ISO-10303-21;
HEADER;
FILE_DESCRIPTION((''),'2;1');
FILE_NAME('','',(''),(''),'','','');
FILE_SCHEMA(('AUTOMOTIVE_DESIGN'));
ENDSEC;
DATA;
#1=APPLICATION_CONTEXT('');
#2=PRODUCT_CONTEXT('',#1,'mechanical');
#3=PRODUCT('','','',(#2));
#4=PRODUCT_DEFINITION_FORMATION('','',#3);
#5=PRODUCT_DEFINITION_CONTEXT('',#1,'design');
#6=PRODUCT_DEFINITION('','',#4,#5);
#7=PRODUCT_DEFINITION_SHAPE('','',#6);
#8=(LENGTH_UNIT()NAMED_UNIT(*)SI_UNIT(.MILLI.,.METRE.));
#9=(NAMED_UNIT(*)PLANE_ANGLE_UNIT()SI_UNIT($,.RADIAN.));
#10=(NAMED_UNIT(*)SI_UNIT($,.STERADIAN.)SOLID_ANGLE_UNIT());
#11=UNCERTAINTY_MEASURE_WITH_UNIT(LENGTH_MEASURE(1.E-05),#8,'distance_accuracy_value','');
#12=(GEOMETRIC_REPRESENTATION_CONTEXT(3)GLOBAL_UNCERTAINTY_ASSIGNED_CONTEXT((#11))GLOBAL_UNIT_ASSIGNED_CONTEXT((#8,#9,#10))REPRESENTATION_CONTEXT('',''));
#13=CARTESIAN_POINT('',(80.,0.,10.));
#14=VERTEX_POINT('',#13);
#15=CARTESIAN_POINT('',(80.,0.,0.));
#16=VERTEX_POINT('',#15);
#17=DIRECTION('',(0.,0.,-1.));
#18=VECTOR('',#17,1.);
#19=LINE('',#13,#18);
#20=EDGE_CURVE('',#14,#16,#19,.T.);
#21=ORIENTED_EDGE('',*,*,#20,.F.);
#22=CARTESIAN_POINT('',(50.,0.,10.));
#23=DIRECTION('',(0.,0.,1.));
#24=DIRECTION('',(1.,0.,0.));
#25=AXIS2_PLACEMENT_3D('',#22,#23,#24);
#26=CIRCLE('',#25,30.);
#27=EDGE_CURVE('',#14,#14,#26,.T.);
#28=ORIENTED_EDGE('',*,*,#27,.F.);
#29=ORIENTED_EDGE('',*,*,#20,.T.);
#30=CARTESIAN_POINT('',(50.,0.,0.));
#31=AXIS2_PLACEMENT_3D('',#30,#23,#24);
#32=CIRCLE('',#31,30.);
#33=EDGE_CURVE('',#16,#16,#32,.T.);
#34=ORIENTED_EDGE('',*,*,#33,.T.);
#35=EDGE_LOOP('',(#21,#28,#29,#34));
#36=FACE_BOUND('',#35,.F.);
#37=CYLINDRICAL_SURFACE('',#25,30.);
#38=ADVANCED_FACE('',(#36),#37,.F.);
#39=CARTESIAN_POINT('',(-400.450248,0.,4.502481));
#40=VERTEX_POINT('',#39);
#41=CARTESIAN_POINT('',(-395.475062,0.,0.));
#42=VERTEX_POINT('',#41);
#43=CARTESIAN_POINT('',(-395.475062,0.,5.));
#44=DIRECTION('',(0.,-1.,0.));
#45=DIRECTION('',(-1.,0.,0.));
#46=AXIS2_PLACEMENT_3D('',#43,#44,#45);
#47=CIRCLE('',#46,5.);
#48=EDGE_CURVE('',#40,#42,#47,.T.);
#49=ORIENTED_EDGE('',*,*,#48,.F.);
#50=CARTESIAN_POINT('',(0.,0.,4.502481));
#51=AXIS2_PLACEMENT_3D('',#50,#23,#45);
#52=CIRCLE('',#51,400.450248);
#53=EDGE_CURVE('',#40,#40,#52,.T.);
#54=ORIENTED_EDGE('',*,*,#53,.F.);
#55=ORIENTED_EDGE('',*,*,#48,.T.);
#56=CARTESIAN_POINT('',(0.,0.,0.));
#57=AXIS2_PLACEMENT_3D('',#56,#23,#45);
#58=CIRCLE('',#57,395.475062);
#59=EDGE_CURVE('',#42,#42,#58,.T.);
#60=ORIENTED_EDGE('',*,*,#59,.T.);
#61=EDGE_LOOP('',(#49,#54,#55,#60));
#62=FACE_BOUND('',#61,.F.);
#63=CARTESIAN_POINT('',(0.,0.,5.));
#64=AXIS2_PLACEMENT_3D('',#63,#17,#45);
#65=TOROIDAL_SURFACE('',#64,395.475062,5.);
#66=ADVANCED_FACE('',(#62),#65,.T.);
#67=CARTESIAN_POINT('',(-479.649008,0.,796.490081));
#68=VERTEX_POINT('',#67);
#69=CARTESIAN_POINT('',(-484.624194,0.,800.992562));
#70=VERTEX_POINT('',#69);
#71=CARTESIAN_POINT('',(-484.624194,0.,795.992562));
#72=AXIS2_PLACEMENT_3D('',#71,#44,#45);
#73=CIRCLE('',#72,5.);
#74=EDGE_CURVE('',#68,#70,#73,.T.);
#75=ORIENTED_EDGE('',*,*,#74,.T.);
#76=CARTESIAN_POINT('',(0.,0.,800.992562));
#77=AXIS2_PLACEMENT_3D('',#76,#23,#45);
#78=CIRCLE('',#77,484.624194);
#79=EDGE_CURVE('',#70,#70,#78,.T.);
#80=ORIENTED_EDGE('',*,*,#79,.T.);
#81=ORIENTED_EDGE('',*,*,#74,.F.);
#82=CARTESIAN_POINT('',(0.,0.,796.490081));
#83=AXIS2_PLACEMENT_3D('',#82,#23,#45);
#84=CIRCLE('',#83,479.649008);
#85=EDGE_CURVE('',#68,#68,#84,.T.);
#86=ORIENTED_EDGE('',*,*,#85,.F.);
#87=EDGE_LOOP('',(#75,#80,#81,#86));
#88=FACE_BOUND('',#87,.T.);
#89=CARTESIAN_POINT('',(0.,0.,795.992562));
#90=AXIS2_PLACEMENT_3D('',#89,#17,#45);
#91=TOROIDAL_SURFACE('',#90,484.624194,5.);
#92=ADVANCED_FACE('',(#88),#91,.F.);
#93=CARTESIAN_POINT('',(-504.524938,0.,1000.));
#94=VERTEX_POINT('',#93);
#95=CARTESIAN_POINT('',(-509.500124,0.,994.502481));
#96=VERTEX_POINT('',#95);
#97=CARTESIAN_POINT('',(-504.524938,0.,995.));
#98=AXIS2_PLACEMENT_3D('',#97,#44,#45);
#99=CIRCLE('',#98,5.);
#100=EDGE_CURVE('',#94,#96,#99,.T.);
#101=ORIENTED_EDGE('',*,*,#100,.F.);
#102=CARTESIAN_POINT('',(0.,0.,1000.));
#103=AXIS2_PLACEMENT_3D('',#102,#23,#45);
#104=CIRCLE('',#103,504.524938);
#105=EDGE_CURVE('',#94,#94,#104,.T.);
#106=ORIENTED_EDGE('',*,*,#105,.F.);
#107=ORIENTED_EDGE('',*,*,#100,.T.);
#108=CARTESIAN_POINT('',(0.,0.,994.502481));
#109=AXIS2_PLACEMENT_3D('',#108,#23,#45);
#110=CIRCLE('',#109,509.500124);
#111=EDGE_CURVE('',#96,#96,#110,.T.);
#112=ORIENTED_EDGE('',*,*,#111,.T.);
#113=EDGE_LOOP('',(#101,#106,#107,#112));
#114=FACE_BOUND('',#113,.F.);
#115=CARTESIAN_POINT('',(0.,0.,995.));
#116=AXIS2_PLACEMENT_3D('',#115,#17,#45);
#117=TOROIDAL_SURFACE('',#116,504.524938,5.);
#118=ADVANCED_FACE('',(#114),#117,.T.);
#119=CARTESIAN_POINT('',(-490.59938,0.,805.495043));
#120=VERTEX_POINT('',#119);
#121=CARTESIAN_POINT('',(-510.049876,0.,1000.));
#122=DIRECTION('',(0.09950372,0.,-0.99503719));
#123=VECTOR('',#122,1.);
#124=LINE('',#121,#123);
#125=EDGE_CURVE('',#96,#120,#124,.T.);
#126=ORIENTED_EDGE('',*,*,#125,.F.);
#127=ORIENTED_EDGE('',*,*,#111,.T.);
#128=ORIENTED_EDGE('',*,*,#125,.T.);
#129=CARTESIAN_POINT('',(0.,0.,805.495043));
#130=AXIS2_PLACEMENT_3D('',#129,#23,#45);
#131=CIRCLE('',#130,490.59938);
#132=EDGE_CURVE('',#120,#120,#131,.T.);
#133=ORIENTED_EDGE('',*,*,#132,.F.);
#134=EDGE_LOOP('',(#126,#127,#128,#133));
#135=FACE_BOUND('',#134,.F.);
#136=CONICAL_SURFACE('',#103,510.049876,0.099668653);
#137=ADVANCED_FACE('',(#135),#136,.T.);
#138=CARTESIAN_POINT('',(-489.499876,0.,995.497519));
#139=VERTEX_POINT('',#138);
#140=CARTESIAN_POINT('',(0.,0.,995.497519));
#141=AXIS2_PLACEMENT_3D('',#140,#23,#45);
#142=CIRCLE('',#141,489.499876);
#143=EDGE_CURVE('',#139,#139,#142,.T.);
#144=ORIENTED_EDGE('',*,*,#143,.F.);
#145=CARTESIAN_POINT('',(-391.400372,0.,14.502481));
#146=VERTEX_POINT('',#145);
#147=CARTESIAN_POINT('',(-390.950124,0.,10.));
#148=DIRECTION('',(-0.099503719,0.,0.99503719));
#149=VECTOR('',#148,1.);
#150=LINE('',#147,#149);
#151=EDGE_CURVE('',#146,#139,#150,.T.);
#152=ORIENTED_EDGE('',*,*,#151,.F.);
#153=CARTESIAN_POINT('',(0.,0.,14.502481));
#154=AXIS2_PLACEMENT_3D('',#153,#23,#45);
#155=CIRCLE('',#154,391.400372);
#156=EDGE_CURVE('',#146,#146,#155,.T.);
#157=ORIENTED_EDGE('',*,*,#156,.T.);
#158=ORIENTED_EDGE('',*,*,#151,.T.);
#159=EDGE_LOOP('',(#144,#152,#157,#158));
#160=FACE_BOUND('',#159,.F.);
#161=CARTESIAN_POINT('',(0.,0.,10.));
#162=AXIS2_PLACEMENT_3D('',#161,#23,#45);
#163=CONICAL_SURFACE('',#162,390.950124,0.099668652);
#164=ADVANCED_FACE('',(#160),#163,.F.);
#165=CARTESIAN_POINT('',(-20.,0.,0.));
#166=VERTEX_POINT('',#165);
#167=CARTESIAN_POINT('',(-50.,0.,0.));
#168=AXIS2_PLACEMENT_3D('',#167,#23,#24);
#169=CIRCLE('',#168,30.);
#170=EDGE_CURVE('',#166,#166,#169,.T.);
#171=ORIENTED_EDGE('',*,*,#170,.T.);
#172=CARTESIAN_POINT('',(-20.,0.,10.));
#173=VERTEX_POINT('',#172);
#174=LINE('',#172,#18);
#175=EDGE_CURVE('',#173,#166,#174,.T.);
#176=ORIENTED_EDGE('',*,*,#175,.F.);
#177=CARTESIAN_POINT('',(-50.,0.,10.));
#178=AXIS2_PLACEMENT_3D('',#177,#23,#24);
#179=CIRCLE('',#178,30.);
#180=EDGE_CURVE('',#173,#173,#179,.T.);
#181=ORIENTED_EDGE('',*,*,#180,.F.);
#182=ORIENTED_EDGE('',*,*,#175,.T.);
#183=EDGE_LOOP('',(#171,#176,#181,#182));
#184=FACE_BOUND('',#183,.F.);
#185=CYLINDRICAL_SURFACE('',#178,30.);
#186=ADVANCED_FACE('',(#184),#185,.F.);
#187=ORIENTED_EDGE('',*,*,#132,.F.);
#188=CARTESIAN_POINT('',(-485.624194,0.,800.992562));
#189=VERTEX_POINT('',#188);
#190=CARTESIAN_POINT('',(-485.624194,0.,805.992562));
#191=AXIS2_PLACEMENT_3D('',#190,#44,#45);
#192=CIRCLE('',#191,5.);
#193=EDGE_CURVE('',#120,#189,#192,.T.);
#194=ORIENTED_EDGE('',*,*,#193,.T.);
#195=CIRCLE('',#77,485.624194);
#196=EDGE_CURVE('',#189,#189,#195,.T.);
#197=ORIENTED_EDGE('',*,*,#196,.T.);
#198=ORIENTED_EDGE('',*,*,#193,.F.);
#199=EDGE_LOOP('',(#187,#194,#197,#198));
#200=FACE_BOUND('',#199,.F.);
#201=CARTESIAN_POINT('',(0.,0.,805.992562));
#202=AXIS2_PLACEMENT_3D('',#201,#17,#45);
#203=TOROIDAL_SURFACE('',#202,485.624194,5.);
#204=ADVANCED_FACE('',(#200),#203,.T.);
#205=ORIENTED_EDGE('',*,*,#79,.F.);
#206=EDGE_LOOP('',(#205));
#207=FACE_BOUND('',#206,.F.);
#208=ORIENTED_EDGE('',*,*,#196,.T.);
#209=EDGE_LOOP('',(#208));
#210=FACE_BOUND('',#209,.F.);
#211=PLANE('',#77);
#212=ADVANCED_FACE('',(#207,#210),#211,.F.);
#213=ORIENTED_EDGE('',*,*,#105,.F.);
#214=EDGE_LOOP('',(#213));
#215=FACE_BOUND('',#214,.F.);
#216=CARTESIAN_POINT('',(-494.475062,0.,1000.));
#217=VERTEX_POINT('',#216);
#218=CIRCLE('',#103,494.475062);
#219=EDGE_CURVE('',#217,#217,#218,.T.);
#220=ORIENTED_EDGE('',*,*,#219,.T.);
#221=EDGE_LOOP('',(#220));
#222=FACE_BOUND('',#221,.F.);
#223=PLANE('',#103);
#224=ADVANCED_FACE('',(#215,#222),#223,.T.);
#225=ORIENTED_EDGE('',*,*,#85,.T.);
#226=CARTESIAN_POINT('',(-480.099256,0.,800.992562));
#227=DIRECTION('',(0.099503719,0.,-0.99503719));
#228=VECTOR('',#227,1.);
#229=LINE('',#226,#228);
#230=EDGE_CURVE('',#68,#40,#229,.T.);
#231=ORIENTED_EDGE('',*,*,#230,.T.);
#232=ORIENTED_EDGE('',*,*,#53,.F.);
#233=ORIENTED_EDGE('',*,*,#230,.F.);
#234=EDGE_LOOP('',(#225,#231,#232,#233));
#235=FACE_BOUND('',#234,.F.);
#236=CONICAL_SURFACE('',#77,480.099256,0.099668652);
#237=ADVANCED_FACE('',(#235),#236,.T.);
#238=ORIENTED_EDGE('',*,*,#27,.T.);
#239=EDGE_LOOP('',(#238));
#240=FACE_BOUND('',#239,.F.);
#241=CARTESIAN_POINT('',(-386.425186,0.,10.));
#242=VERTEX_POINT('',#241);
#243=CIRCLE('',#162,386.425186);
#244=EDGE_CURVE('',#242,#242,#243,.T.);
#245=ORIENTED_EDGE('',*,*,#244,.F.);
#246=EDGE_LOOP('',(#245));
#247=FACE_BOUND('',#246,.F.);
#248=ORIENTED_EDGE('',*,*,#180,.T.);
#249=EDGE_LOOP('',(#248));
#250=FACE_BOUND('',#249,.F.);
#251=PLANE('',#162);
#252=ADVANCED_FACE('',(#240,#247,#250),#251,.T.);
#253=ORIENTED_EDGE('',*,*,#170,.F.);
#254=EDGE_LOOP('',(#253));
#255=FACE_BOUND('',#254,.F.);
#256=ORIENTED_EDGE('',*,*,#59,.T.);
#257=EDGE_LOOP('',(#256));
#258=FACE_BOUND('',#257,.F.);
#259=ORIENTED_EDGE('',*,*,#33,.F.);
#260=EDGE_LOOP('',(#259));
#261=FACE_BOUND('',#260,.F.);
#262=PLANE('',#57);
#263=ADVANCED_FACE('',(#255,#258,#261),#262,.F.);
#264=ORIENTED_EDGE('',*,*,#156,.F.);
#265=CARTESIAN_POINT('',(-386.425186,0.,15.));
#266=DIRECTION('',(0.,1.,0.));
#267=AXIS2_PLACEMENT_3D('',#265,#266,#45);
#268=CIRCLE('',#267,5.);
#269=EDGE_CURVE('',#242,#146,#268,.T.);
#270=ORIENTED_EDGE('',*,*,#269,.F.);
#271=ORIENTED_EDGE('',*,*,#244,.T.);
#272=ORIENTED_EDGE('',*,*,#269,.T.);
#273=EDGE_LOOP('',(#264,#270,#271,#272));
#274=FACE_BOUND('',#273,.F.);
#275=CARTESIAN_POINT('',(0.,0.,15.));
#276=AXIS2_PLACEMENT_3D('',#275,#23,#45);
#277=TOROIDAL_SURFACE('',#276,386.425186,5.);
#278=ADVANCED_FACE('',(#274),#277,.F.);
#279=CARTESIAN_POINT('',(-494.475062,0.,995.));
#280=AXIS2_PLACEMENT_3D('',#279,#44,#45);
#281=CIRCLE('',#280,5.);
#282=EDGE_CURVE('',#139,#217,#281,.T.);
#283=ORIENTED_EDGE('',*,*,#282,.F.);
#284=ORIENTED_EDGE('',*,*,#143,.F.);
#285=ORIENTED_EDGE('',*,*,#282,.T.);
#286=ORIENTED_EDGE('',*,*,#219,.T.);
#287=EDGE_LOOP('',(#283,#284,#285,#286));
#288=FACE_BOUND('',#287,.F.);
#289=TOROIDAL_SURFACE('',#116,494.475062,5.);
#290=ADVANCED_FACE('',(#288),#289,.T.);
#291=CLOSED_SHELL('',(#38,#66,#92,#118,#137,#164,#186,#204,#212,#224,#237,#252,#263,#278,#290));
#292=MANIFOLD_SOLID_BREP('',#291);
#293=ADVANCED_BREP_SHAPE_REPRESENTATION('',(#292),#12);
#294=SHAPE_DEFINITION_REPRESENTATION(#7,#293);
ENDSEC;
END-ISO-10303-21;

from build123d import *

# Parameters (mm, degrees)
F2_R     = 5
F3_R     = 30
F4_DEPTH = 10.001


with BuildPart() as f1:
    # F0 (on Front) → F1 (revolve)
    with BuildSketch(Plane.XZ):
        Polygon((-480.099256, 800.992562), (-400, 0), (0, 0), (0, 10), (-390.950124, 10), (-489.950124, 1000), (-500, 1000), align=None)
        Polygon((-490.149132, 800.992562), (-480.099256, 800.992562), (-500, 1000), (-510.049876, 1000), align=None)
    revolve(axis=Axis((0, 0, 513.822615), (0, 0, 1)))

    # F2
    f2_edges = [f1.edges().sort_by_distance(p)[0] for p in [
        (489.950124, 0, 1000),
        (510.049876, 0, 1000),
        (390.950124, 0, 10),
        (490.149132, 0, 800.992562),
        (400, 0, 0),
        (480.099256, 0, 800.992562),
    ]]
    fillet(f2_edges, radius=F2_R)

    # F3 (on face) → F4 (cut, through all)
    with BuildSketch(Plane.XY.offset(10)):
        with Locations((-50, 0)):
            Circle(F3_R)
        with Locations((50, 0)):
            Circle(F3_R)
    extrude(amount=-F4_DEPTH, mode=Mode.SUBTRACT)


solid = f1.part
